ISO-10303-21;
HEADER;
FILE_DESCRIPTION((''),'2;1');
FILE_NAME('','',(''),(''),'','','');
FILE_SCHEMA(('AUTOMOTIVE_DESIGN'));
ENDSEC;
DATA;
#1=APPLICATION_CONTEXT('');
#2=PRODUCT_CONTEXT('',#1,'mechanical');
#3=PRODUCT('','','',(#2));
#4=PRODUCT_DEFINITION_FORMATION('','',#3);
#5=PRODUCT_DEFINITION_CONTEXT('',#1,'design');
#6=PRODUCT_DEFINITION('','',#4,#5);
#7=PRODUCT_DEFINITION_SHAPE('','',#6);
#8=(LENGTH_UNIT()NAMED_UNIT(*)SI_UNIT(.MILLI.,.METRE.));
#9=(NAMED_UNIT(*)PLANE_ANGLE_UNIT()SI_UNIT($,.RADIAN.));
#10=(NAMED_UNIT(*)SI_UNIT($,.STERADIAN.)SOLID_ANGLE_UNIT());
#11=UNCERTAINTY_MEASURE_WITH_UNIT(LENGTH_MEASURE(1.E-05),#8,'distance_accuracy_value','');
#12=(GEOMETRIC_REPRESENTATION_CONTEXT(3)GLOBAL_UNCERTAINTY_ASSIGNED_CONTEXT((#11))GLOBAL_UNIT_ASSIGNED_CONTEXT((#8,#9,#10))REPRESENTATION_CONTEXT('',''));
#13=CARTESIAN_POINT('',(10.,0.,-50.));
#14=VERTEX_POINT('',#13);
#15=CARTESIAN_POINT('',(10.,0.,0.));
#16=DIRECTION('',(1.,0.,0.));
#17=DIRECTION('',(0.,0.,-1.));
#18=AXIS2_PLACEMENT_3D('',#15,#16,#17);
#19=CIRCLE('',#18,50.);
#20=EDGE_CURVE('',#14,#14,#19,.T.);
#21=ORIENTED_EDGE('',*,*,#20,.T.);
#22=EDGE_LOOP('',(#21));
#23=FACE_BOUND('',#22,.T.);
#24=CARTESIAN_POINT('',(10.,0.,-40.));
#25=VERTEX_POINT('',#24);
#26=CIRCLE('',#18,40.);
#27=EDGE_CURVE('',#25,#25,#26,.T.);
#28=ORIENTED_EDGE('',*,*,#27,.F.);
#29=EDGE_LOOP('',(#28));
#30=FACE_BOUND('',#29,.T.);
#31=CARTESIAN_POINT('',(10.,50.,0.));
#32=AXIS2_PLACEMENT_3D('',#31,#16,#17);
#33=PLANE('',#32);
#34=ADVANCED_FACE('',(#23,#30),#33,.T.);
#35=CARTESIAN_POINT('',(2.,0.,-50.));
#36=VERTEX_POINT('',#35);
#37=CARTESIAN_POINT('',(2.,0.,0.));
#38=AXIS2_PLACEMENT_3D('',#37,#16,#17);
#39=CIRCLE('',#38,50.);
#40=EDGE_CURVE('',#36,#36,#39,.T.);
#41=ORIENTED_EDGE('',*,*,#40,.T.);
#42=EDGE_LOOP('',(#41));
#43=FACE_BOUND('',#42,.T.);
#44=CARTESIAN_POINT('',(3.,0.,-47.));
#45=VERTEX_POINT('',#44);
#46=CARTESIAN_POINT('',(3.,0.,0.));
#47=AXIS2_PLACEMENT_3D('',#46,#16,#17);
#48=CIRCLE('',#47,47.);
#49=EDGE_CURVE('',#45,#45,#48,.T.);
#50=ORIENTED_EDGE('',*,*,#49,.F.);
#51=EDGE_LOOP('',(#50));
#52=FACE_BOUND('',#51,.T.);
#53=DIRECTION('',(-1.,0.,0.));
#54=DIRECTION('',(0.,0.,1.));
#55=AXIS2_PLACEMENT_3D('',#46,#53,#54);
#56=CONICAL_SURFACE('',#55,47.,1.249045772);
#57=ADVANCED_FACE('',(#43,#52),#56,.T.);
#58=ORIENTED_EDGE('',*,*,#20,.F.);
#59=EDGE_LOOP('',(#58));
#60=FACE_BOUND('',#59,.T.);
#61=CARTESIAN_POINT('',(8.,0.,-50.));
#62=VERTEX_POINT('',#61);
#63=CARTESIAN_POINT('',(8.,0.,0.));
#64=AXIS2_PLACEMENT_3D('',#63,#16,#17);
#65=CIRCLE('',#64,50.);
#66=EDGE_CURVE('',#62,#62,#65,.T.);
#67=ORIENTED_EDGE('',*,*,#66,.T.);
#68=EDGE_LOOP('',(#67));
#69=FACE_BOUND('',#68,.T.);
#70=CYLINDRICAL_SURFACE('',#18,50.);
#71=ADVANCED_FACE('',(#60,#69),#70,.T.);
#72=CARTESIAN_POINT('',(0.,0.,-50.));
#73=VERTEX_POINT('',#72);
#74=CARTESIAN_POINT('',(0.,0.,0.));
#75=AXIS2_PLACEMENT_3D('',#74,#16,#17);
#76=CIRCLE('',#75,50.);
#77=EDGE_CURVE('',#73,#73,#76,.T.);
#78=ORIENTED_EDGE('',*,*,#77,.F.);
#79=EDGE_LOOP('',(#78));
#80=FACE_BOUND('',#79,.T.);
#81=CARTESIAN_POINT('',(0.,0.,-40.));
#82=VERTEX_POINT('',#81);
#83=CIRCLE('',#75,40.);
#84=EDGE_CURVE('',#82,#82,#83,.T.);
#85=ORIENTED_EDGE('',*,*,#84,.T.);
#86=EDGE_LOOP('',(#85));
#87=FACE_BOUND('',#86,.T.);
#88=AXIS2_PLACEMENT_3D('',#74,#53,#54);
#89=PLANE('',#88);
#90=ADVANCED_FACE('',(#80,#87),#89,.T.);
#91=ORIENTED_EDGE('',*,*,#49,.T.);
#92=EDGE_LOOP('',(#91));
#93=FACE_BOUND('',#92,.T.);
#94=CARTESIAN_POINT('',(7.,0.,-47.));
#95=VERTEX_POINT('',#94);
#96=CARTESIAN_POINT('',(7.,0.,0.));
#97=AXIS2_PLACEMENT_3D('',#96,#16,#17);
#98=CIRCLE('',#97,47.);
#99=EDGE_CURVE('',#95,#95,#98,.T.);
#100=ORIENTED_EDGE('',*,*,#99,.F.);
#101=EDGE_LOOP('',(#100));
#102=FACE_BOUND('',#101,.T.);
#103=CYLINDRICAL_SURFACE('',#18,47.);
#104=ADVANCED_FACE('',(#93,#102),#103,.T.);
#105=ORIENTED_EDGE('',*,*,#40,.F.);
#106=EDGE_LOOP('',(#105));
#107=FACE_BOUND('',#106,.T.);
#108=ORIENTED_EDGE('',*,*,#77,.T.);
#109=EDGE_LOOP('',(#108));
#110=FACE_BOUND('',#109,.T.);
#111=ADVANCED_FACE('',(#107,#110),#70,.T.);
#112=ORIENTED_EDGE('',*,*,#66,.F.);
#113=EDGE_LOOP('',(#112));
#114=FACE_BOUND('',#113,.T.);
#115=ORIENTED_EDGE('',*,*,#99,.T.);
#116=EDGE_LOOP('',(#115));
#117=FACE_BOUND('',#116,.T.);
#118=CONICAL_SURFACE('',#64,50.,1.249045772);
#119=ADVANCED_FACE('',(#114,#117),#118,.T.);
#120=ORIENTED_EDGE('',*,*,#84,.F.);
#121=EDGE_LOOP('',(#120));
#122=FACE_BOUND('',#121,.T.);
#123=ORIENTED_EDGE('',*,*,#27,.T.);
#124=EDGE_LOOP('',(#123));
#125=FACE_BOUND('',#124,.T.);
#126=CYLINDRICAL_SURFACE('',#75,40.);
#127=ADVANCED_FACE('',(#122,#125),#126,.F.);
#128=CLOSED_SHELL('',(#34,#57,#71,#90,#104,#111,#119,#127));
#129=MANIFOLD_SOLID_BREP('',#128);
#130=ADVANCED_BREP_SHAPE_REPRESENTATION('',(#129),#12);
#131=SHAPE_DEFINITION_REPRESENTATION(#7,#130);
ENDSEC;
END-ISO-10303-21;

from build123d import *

# Parameters (mm, degrees)
SKETCH2_R          = 40
CUT_EXTRUDE1_DEPTH = 10


with BuildPart() as part:
    # Sketch1 → Revolve1 (revolve)
    with BuildSketch(Plane.XY, mode=Mode.PRIVATE) as revolve1_sk:
        Polygon((0, 0), (0, 50), (2, 50), (3, 47), (7, 47), (8, 50), (10, 50), (10, 0), align=None)
    revolve(revolve1_sk.sketch.rotate(Axis((10, 0, 0), (-1, 0, 0)), 90), axis=Axis((10, 0, 0), (-1, 0, 0)))

    # Sketch2 → Cut-Extrude1 (cut)
    with BuildSketch(Plane(origin=(10, 0, 0), x_dir=(0, 0, -1), z_dir=(1, 0, 0))):
        Circle(SKETCH2_R)
    extrude(amount=-CUT_EXTRUDE1_DEPTH, mode=Mode.SUBTRACT)


solid = part.part
